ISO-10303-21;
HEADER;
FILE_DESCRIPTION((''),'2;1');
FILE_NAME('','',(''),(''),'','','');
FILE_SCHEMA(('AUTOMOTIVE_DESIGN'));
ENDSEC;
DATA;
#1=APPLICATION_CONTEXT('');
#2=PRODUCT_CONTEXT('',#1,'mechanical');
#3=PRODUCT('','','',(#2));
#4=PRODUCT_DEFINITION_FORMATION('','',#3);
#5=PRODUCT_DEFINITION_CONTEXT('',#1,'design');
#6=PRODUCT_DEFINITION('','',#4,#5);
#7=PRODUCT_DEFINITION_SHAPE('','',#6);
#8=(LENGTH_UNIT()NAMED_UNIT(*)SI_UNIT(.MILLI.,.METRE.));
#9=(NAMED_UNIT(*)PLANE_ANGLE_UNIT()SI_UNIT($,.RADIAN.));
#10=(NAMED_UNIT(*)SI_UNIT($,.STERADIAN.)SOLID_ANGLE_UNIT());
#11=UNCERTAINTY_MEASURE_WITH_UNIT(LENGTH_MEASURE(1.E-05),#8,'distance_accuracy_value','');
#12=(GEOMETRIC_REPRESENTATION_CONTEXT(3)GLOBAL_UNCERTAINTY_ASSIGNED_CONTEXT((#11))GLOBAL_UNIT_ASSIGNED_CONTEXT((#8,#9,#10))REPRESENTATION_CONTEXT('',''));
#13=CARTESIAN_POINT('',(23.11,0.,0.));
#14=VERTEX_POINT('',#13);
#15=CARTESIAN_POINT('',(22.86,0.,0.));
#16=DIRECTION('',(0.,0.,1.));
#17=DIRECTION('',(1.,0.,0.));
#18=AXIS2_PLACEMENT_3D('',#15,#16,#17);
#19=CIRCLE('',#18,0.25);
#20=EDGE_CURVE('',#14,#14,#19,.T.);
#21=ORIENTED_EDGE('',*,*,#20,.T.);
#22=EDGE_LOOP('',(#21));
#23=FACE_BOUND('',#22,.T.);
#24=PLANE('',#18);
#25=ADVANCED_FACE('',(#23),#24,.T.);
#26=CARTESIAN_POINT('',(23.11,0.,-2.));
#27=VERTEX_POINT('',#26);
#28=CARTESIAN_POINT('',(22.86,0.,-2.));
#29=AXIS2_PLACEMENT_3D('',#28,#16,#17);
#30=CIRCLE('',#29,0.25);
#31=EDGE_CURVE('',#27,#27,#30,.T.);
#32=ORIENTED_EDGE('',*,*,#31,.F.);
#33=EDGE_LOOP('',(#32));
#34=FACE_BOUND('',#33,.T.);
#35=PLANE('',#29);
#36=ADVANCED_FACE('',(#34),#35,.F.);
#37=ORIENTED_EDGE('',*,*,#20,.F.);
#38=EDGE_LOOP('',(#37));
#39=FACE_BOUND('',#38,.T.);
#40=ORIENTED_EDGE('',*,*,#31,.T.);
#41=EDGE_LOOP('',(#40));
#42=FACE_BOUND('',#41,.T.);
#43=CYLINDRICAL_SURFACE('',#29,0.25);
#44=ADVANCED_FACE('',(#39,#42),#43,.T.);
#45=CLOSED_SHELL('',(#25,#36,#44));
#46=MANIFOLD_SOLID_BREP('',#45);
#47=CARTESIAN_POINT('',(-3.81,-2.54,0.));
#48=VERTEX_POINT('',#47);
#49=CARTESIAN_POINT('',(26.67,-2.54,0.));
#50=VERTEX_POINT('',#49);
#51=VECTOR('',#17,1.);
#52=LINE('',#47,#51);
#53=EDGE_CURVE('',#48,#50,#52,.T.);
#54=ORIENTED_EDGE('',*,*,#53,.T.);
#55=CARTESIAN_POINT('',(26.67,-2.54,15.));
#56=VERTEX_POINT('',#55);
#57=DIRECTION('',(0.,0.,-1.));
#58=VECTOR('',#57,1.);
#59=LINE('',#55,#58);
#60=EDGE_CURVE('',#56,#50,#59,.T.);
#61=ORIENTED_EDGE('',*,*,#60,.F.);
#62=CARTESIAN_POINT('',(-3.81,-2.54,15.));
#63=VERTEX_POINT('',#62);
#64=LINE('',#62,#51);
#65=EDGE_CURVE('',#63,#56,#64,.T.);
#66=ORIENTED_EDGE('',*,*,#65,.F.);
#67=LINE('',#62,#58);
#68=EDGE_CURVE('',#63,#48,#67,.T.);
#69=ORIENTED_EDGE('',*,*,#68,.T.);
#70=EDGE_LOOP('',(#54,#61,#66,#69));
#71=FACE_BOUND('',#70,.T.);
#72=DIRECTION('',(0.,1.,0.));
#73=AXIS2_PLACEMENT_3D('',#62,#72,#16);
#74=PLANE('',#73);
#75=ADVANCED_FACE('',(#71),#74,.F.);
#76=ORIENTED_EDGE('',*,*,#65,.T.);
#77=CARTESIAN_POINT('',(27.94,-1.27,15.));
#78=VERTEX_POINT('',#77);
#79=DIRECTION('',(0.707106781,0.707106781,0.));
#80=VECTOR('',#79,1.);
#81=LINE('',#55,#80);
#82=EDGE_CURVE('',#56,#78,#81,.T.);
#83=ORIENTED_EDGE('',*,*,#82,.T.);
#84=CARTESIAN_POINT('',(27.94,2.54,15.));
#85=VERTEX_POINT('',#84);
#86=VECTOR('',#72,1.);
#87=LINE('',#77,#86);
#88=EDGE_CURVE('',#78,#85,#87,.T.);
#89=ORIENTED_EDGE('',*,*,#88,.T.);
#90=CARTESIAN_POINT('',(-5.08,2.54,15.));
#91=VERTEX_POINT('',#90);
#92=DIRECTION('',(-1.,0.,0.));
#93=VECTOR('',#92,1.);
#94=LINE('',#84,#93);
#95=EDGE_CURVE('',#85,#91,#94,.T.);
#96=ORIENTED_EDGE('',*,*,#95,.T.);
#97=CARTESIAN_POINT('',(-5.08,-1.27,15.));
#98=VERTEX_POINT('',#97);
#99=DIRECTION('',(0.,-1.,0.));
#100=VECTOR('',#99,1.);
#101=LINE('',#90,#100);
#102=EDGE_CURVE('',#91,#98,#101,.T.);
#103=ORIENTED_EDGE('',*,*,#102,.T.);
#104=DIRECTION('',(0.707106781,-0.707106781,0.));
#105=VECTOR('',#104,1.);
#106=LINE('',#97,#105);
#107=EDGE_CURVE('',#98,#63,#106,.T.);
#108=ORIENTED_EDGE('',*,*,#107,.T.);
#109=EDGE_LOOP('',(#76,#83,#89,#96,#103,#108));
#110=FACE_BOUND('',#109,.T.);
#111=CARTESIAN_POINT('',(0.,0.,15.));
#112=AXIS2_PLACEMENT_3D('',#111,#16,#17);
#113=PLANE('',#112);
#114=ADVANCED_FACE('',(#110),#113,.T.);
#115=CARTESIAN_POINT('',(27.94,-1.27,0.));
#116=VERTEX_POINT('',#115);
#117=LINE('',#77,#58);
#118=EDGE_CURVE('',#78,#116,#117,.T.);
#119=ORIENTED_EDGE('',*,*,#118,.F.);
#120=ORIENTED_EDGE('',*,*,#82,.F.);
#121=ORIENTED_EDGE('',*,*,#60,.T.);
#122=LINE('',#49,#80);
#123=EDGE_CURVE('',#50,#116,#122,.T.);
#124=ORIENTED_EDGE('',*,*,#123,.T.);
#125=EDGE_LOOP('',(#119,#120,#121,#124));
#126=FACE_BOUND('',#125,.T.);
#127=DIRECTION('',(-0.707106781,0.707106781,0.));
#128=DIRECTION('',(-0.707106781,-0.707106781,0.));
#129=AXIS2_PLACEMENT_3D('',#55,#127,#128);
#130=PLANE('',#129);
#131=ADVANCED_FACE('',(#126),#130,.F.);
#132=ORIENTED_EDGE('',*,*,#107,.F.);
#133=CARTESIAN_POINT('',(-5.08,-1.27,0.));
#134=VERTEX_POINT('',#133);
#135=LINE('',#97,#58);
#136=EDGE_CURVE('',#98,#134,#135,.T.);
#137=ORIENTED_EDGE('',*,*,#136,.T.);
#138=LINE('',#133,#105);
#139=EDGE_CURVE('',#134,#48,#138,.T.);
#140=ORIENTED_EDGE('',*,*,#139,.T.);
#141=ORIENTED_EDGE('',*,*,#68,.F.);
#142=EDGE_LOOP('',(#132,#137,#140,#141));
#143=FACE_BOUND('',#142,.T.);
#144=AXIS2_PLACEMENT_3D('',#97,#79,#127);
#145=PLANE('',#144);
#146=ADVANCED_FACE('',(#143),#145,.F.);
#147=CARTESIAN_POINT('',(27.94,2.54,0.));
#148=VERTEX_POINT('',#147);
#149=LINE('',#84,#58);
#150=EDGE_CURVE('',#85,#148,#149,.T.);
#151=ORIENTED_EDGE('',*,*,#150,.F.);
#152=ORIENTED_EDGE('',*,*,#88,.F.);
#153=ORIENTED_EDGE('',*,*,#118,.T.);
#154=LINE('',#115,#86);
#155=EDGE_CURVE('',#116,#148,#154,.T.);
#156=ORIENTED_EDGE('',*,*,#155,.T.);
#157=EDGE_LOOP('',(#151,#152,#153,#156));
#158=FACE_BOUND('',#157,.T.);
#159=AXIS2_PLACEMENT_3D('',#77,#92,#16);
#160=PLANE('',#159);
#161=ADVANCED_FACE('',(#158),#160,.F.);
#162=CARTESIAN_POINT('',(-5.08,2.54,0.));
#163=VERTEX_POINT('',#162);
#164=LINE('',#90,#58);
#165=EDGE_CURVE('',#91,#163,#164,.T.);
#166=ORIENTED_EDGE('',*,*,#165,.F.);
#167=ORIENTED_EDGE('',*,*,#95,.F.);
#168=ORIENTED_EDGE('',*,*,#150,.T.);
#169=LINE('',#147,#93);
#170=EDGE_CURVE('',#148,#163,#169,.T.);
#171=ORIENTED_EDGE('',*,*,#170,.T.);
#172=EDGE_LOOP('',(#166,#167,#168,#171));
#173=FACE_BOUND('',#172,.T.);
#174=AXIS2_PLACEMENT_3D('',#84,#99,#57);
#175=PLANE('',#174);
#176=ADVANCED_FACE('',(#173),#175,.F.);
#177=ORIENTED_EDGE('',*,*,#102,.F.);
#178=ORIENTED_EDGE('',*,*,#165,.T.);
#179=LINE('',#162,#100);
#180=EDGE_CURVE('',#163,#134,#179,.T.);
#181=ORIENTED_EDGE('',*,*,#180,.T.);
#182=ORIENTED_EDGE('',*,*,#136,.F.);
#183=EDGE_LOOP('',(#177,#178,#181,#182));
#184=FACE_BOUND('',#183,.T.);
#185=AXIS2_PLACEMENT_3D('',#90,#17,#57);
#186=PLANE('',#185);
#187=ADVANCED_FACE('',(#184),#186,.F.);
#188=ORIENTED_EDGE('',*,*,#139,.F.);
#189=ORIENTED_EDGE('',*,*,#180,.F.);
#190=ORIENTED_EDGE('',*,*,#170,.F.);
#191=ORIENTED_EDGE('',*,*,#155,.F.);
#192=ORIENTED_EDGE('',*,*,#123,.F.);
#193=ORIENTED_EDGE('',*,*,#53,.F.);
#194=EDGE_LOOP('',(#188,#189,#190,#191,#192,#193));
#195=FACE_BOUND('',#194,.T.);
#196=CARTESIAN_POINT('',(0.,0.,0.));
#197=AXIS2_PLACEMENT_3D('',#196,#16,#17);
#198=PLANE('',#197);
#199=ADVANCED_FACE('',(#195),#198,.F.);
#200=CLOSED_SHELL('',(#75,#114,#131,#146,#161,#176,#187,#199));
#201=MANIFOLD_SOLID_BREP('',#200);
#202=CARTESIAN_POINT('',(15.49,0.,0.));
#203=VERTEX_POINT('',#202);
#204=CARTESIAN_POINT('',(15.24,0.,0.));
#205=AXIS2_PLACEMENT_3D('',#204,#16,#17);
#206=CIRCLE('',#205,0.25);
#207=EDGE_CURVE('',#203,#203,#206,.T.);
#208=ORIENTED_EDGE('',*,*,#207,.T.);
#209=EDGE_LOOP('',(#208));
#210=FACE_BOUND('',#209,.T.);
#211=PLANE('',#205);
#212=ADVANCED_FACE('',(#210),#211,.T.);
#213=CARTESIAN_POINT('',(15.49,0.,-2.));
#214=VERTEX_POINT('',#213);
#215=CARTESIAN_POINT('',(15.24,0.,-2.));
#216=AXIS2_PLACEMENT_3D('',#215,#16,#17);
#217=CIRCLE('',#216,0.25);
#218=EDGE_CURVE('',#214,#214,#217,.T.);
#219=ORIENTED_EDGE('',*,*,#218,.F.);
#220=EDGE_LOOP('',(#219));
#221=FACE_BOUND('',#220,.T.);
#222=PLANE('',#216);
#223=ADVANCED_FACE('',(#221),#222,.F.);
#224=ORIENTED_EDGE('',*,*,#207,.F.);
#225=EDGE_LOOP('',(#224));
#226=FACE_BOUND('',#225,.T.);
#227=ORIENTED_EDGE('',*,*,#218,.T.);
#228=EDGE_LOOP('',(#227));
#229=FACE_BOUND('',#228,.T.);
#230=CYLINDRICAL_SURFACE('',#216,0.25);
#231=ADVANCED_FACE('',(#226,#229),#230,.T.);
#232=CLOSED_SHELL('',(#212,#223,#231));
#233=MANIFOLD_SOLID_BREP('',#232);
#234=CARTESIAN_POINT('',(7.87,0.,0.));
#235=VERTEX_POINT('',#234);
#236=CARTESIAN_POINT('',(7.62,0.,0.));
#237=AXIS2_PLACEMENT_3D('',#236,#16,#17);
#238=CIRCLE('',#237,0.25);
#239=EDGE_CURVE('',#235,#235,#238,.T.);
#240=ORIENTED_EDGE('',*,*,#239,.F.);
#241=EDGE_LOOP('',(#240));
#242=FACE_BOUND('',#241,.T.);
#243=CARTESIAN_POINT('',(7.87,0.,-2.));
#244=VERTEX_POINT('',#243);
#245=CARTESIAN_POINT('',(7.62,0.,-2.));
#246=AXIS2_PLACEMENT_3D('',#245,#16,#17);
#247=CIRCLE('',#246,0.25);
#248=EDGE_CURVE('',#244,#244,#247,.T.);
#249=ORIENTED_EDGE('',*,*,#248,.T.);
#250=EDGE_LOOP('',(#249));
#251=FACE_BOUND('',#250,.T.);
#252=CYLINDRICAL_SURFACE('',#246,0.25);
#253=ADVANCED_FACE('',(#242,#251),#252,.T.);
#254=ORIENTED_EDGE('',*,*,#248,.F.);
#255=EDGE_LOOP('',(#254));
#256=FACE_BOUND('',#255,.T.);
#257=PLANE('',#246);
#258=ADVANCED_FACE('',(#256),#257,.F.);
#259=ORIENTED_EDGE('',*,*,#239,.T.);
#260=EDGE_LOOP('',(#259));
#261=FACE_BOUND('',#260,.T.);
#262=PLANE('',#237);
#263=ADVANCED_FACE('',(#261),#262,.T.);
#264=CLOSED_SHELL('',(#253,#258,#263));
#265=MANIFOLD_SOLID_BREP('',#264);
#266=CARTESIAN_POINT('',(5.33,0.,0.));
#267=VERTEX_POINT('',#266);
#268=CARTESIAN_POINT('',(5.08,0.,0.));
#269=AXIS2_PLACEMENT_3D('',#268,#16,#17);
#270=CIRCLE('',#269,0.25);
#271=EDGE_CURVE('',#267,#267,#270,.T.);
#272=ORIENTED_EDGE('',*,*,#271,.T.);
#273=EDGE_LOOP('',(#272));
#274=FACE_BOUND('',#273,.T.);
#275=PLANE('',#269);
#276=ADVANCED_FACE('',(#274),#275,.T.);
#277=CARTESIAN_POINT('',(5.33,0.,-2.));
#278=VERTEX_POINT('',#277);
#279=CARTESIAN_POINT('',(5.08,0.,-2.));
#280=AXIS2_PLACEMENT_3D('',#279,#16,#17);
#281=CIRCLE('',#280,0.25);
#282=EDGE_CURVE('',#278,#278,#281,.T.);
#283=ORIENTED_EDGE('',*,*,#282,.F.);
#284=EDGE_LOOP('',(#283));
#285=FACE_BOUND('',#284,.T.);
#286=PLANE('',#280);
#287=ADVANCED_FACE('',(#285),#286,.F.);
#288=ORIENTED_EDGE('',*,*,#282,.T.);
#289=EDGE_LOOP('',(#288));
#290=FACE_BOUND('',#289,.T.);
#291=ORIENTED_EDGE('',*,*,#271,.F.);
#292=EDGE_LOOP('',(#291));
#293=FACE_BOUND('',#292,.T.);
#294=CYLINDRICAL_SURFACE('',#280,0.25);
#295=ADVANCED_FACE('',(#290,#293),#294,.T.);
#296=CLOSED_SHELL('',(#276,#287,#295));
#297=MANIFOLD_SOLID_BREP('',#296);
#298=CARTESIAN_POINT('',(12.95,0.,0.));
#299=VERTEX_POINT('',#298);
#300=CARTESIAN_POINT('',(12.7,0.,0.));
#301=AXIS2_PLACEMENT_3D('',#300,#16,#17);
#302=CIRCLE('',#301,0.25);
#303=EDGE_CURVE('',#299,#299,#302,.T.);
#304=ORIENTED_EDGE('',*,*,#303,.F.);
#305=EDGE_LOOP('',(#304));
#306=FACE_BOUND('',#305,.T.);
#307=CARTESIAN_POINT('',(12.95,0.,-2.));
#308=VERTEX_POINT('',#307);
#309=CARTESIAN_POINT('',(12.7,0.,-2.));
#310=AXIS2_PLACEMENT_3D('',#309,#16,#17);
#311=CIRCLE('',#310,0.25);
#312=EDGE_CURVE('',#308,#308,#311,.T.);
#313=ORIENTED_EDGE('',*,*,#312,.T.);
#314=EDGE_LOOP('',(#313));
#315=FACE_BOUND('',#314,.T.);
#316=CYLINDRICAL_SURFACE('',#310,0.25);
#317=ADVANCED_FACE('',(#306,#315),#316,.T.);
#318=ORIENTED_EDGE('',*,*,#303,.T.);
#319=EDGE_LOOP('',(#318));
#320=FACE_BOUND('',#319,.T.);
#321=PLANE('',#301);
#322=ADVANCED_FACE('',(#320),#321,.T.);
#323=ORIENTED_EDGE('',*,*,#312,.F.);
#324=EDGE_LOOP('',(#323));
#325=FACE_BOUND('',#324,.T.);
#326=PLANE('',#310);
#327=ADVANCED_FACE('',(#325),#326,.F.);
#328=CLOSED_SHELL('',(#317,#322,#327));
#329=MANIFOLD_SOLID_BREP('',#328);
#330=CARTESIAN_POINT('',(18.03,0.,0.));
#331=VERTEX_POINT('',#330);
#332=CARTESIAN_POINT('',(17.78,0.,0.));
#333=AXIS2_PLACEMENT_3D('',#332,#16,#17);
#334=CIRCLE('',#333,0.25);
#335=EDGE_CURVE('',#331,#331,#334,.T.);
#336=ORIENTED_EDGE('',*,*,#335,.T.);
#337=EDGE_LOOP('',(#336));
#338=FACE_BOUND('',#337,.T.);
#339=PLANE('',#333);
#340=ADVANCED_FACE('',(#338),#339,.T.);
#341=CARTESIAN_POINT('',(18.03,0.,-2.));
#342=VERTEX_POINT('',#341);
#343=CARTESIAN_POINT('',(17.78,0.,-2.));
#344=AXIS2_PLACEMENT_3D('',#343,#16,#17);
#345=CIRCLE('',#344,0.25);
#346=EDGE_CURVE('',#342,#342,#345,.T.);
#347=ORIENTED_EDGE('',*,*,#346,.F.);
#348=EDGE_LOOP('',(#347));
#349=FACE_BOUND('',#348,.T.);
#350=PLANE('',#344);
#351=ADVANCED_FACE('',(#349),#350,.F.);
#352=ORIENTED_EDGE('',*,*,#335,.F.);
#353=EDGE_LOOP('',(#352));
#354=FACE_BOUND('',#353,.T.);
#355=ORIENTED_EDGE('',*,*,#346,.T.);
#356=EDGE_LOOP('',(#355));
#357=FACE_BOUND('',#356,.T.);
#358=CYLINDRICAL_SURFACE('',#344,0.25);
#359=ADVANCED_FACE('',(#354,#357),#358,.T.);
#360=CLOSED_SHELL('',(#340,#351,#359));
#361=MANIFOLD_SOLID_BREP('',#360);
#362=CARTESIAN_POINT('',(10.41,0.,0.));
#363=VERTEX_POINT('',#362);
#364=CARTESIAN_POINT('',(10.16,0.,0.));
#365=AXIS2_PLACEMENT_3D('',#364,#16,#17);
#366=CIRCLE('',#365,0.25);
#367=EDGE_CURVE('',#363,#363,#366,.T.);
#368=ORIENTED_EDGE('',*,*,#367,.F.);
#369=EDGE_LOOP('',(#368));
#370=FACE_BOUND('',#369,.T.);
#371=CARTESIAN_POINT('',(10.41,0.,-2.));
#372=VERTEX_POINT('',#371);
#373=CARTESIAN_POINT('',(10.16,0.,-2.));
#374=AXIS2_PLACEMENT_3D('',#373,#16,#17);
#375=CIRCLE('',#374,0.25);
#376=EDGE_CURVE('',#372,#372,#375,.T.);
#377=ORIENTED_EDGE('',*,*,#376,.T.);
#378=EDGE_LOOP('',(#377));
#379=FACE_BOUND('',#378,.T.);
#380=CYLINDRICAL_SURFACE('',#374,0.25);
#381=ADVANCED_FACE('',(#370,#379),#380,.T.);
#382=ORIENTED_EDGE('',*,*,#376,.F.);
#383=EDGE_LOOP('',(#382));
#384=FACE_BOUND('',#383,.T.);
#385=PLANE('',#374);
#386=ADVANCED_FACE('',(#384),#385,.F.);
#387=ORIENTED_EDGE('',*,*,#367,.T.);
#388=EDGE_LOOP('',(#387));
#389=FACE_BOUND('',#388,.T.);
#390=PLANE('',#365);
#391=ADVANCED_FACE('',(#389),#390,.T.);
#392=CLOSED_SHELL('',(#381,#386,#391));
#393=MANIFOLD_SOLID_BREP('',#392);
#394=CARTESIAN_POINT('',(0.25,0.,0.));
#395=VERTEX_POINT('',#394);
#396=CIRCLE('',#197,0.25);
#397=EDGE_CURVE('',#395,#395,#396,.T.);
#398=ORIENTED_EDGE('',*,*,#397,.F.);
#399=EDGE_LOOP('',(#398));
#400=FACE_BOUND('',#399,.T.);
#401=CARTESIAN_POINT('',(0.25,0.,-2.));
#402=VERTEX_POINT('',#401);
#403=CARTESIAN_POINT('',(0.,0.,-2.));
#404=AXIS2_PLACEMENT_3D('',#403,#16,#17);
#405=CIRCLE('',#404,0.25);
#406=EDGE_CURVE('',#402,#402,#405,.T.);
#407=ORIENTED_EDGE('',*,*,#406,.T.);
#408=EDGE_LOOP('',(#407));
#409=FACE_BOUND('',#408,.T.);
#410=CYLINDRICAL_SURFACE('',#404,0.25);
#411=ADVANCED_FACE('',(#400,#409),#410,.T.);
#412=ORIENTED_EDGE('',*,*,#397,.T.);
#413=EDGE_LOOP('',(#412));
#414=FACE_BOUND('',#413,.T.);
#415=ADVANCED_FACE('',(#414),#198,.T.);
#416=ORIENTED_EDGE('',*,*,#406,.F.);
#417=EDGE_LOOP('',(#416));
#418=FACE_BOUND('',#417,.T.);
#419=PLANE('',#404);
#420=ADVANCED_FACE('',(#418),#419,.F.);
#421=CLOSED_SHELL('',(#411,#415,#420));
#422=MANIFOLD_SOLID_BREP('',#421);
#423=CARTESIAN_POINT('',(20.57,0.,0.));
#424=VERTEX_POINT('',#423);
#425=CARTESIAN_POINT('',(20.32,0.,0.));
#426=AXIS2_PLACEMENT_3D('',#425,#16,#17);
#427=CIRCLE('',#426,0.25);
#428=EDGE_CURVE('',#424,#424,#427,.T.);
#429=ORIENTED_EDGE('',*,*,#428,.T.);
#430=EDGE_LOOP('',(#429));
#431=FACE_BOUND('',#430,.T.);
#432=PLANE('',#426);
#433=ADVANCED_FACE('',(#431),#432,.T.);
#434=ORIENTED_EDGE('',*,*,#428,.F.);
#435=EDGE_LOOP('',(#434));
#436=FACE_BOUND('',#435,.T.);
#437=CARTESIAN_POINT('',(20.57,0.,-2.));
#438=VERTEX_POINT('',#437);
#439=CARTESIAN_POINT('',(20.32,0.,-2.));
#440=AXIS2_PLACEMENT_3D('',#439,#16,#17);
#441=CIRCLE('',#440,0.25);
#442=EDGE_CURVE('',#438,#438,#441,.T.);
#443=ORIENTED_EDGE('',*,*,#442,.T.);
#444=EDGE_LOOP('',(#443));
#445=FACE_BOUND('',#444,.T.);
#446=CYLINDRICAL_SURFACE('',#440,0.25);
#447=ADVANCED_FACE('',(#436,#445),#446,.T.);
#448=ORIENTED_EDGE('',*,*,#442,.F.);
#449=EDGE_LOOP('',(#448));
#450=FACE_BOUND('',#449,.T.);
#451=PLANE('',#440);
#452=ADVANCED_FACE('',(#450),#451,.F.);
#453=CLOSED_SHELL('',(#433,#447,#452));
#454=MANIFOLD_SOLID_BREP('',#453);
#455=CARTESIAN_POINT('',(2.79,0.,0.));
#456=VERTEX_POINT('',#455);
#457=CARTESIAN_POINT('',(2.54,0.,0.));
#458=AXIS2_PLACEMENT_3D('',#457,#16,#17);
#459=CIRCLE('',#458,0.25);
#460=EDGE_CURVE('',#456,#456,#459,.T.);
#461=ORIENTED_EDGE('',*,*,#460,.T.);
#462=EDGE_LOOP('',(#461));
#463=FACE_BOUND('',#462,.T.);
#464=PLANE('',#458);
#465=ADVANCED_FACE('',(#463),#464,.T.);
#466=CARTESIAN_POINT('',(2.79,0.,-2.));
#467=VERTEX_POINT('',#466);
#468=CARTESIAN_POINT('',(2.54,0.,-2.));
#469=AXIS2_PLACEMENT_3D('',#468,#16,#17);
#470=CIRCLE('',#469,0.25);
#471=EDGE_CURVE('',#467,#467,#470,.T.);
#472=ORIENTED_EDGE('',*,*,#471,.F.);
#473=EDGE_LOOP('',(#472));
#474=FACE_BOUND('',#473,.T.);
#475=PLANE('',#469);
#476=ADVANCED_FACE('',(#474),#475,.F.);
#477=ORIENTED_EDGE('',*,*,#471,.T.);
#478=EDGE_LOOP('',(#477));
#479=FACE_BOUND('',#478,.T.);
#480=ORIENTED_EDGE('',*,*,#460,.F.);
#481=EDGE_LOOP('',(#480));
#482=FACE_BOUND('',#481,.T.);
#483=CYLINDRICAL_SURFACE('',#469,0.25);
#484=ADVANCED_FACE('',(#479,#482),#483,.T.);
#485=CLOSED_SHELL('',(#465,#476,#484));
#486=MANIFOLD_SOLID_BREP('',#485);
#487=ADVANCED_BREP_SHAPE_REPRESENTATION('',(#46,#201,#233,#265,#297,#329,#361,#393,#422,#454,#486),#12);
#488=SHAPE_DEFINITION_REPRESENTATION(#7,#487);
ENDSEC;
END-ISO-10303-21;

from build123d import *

# Parameters (mm, degrees)
COMPONENT_OUTLINE_DEPTH = 15
SKETCH2_R               = 0.25
EXTRUDE_1_DEPTH         = 2
SKETCH3_R               = 0.25
EXTRUDE_2_DEPTH         = 2
SKETCH4_R               = 0.25
EXTRUDE_3_DEPTH         = 2
SKETCH5_R               = 0.25
EXTRUDE_4_DEPTH         = 2
SKETCH6_R               = 0.25
EXTRUDE_5_DEPTH         = 2
SKETCH7_R               = 0.25
EXTRUDE_6_DEPTH         = 2
SKETCH8_R               = 0.25
EXTRUDE_7_DEPTH         = 2
SKETCH9_R               = 0.25
EXTRUDE_8_DEPTH         = 2
SKETCH10_R              = 0.25
EXTRUDE_9_DEPTH         = 2
SKETCH11_R              = 0.25
EXTRUDE_10_DEPTH        = 2


with BuildPart() as part:
    # Sketch1 → Component_Outline (new body)
    with BuildSketch(Plane.XY):
        Polygon((-5.08, 2.54), (-5.08, -1.27), (-3.81, -2.54), (26.67, -2.54), (27.94, -1.27), (27.94, 2.54), align=None)
    extrude(amount=COMPONENT_OUTLINE_DEPTH)


with BuildPart() as body_2:
    # Sketch2 → Extrude 1 (new body)
    with BuildSketch(Plane.XY):
        Circle(SKETCH2_R)
    extrude(amount=-EXTRUDE_1_DEPTH)


with BuildPart() as body_3:
    # Sketch3 → Extrude 2 (new body)
    with BuildSketch(Plane.XY):
        with Locations((2.54, 0)):
            Circle(SKETCH3_R)
    extrude(amount=-EXTRUDE_2_DEPTH)


with BuildPart() as body_4:
    # Sketch4 → Extrude 3 (new body)
    with BuildSketch(Plane.XY):
        with Locations((5.08, 0)):
            Circle(SKETCH4_R)
    extrude(amount=-EXTRUDE_3_DEPTH)


with BuildPart() as body_5:
    # Sketch5 → Extrude 4 (new body)
    with BuildSketch(Plane.XY):
        with Locations((7.62, 0)):
            Circle(SKETCH5_R)
    extrude(amount=-EXTRUDE_4_DEPTH)


with BuildPart() as body_6:
    # Sketch6 → Extrude 5 (new body)
    with BuildSketch(Plane.XY):
        with Locations((10.16, 0)):
            Circle(SKETCH6_R)
    extrude(amount=-EXTRUDE_5_DEPTH)


with BuildPart() as body_7:
    # Sketch7 → Extrude 6 (new body)
    with BuildSketch(Plane.XY):
        with Locations((12.7, 0)):
            Circle(SKETCH7_R)
    extrude(amount=-EXTRUDE_6_DEPTH)


with BuildPart() as body_8:
    # Sketch8 → Extrude 7 (new body)
    with BuildSketch(Plane.XY):
        with Locations((15.24, 0)):
            Circle(SKETCH8_R)
    extrude(amount=-EXTRUDE_7_DEPTH)


with BuildPart() as body_9:
    # Sketch9 → Extrude 8 (new body)
    with BuildSketch(Plane.XY):
        with Locations((17.78, 0)):
            Circle(SKETCH9_R)
    extrude(amount=-EXTRUDE_8_DEPTH)


with BuildPart() as body_10:
    # Sketch10 → Extrude 9 (new body)
    with BuildSketch(Plane.XY):
        with Locations((20.32, 0)):
            Circle(SKETCH10_R)
    extrude(amount=-EXTRUDE_9_DEPTH)


with BuildPart() as body_11:
    # Sketch11 → Extrude 10 (new body)
    with BuildSketch(Plane.XY):
        with Locations((22.86, 0)):
            Circle(SKETCH11_R)
    extrude(amount=-EXTRUDE_10_DEPTH)


solid = Compound([part.part, body_2.part, body_3.part, body_4.part, body_5.part, body_6.part, body_7.part, body_8.part, body_9.part, body_10.part, body_11.part])
